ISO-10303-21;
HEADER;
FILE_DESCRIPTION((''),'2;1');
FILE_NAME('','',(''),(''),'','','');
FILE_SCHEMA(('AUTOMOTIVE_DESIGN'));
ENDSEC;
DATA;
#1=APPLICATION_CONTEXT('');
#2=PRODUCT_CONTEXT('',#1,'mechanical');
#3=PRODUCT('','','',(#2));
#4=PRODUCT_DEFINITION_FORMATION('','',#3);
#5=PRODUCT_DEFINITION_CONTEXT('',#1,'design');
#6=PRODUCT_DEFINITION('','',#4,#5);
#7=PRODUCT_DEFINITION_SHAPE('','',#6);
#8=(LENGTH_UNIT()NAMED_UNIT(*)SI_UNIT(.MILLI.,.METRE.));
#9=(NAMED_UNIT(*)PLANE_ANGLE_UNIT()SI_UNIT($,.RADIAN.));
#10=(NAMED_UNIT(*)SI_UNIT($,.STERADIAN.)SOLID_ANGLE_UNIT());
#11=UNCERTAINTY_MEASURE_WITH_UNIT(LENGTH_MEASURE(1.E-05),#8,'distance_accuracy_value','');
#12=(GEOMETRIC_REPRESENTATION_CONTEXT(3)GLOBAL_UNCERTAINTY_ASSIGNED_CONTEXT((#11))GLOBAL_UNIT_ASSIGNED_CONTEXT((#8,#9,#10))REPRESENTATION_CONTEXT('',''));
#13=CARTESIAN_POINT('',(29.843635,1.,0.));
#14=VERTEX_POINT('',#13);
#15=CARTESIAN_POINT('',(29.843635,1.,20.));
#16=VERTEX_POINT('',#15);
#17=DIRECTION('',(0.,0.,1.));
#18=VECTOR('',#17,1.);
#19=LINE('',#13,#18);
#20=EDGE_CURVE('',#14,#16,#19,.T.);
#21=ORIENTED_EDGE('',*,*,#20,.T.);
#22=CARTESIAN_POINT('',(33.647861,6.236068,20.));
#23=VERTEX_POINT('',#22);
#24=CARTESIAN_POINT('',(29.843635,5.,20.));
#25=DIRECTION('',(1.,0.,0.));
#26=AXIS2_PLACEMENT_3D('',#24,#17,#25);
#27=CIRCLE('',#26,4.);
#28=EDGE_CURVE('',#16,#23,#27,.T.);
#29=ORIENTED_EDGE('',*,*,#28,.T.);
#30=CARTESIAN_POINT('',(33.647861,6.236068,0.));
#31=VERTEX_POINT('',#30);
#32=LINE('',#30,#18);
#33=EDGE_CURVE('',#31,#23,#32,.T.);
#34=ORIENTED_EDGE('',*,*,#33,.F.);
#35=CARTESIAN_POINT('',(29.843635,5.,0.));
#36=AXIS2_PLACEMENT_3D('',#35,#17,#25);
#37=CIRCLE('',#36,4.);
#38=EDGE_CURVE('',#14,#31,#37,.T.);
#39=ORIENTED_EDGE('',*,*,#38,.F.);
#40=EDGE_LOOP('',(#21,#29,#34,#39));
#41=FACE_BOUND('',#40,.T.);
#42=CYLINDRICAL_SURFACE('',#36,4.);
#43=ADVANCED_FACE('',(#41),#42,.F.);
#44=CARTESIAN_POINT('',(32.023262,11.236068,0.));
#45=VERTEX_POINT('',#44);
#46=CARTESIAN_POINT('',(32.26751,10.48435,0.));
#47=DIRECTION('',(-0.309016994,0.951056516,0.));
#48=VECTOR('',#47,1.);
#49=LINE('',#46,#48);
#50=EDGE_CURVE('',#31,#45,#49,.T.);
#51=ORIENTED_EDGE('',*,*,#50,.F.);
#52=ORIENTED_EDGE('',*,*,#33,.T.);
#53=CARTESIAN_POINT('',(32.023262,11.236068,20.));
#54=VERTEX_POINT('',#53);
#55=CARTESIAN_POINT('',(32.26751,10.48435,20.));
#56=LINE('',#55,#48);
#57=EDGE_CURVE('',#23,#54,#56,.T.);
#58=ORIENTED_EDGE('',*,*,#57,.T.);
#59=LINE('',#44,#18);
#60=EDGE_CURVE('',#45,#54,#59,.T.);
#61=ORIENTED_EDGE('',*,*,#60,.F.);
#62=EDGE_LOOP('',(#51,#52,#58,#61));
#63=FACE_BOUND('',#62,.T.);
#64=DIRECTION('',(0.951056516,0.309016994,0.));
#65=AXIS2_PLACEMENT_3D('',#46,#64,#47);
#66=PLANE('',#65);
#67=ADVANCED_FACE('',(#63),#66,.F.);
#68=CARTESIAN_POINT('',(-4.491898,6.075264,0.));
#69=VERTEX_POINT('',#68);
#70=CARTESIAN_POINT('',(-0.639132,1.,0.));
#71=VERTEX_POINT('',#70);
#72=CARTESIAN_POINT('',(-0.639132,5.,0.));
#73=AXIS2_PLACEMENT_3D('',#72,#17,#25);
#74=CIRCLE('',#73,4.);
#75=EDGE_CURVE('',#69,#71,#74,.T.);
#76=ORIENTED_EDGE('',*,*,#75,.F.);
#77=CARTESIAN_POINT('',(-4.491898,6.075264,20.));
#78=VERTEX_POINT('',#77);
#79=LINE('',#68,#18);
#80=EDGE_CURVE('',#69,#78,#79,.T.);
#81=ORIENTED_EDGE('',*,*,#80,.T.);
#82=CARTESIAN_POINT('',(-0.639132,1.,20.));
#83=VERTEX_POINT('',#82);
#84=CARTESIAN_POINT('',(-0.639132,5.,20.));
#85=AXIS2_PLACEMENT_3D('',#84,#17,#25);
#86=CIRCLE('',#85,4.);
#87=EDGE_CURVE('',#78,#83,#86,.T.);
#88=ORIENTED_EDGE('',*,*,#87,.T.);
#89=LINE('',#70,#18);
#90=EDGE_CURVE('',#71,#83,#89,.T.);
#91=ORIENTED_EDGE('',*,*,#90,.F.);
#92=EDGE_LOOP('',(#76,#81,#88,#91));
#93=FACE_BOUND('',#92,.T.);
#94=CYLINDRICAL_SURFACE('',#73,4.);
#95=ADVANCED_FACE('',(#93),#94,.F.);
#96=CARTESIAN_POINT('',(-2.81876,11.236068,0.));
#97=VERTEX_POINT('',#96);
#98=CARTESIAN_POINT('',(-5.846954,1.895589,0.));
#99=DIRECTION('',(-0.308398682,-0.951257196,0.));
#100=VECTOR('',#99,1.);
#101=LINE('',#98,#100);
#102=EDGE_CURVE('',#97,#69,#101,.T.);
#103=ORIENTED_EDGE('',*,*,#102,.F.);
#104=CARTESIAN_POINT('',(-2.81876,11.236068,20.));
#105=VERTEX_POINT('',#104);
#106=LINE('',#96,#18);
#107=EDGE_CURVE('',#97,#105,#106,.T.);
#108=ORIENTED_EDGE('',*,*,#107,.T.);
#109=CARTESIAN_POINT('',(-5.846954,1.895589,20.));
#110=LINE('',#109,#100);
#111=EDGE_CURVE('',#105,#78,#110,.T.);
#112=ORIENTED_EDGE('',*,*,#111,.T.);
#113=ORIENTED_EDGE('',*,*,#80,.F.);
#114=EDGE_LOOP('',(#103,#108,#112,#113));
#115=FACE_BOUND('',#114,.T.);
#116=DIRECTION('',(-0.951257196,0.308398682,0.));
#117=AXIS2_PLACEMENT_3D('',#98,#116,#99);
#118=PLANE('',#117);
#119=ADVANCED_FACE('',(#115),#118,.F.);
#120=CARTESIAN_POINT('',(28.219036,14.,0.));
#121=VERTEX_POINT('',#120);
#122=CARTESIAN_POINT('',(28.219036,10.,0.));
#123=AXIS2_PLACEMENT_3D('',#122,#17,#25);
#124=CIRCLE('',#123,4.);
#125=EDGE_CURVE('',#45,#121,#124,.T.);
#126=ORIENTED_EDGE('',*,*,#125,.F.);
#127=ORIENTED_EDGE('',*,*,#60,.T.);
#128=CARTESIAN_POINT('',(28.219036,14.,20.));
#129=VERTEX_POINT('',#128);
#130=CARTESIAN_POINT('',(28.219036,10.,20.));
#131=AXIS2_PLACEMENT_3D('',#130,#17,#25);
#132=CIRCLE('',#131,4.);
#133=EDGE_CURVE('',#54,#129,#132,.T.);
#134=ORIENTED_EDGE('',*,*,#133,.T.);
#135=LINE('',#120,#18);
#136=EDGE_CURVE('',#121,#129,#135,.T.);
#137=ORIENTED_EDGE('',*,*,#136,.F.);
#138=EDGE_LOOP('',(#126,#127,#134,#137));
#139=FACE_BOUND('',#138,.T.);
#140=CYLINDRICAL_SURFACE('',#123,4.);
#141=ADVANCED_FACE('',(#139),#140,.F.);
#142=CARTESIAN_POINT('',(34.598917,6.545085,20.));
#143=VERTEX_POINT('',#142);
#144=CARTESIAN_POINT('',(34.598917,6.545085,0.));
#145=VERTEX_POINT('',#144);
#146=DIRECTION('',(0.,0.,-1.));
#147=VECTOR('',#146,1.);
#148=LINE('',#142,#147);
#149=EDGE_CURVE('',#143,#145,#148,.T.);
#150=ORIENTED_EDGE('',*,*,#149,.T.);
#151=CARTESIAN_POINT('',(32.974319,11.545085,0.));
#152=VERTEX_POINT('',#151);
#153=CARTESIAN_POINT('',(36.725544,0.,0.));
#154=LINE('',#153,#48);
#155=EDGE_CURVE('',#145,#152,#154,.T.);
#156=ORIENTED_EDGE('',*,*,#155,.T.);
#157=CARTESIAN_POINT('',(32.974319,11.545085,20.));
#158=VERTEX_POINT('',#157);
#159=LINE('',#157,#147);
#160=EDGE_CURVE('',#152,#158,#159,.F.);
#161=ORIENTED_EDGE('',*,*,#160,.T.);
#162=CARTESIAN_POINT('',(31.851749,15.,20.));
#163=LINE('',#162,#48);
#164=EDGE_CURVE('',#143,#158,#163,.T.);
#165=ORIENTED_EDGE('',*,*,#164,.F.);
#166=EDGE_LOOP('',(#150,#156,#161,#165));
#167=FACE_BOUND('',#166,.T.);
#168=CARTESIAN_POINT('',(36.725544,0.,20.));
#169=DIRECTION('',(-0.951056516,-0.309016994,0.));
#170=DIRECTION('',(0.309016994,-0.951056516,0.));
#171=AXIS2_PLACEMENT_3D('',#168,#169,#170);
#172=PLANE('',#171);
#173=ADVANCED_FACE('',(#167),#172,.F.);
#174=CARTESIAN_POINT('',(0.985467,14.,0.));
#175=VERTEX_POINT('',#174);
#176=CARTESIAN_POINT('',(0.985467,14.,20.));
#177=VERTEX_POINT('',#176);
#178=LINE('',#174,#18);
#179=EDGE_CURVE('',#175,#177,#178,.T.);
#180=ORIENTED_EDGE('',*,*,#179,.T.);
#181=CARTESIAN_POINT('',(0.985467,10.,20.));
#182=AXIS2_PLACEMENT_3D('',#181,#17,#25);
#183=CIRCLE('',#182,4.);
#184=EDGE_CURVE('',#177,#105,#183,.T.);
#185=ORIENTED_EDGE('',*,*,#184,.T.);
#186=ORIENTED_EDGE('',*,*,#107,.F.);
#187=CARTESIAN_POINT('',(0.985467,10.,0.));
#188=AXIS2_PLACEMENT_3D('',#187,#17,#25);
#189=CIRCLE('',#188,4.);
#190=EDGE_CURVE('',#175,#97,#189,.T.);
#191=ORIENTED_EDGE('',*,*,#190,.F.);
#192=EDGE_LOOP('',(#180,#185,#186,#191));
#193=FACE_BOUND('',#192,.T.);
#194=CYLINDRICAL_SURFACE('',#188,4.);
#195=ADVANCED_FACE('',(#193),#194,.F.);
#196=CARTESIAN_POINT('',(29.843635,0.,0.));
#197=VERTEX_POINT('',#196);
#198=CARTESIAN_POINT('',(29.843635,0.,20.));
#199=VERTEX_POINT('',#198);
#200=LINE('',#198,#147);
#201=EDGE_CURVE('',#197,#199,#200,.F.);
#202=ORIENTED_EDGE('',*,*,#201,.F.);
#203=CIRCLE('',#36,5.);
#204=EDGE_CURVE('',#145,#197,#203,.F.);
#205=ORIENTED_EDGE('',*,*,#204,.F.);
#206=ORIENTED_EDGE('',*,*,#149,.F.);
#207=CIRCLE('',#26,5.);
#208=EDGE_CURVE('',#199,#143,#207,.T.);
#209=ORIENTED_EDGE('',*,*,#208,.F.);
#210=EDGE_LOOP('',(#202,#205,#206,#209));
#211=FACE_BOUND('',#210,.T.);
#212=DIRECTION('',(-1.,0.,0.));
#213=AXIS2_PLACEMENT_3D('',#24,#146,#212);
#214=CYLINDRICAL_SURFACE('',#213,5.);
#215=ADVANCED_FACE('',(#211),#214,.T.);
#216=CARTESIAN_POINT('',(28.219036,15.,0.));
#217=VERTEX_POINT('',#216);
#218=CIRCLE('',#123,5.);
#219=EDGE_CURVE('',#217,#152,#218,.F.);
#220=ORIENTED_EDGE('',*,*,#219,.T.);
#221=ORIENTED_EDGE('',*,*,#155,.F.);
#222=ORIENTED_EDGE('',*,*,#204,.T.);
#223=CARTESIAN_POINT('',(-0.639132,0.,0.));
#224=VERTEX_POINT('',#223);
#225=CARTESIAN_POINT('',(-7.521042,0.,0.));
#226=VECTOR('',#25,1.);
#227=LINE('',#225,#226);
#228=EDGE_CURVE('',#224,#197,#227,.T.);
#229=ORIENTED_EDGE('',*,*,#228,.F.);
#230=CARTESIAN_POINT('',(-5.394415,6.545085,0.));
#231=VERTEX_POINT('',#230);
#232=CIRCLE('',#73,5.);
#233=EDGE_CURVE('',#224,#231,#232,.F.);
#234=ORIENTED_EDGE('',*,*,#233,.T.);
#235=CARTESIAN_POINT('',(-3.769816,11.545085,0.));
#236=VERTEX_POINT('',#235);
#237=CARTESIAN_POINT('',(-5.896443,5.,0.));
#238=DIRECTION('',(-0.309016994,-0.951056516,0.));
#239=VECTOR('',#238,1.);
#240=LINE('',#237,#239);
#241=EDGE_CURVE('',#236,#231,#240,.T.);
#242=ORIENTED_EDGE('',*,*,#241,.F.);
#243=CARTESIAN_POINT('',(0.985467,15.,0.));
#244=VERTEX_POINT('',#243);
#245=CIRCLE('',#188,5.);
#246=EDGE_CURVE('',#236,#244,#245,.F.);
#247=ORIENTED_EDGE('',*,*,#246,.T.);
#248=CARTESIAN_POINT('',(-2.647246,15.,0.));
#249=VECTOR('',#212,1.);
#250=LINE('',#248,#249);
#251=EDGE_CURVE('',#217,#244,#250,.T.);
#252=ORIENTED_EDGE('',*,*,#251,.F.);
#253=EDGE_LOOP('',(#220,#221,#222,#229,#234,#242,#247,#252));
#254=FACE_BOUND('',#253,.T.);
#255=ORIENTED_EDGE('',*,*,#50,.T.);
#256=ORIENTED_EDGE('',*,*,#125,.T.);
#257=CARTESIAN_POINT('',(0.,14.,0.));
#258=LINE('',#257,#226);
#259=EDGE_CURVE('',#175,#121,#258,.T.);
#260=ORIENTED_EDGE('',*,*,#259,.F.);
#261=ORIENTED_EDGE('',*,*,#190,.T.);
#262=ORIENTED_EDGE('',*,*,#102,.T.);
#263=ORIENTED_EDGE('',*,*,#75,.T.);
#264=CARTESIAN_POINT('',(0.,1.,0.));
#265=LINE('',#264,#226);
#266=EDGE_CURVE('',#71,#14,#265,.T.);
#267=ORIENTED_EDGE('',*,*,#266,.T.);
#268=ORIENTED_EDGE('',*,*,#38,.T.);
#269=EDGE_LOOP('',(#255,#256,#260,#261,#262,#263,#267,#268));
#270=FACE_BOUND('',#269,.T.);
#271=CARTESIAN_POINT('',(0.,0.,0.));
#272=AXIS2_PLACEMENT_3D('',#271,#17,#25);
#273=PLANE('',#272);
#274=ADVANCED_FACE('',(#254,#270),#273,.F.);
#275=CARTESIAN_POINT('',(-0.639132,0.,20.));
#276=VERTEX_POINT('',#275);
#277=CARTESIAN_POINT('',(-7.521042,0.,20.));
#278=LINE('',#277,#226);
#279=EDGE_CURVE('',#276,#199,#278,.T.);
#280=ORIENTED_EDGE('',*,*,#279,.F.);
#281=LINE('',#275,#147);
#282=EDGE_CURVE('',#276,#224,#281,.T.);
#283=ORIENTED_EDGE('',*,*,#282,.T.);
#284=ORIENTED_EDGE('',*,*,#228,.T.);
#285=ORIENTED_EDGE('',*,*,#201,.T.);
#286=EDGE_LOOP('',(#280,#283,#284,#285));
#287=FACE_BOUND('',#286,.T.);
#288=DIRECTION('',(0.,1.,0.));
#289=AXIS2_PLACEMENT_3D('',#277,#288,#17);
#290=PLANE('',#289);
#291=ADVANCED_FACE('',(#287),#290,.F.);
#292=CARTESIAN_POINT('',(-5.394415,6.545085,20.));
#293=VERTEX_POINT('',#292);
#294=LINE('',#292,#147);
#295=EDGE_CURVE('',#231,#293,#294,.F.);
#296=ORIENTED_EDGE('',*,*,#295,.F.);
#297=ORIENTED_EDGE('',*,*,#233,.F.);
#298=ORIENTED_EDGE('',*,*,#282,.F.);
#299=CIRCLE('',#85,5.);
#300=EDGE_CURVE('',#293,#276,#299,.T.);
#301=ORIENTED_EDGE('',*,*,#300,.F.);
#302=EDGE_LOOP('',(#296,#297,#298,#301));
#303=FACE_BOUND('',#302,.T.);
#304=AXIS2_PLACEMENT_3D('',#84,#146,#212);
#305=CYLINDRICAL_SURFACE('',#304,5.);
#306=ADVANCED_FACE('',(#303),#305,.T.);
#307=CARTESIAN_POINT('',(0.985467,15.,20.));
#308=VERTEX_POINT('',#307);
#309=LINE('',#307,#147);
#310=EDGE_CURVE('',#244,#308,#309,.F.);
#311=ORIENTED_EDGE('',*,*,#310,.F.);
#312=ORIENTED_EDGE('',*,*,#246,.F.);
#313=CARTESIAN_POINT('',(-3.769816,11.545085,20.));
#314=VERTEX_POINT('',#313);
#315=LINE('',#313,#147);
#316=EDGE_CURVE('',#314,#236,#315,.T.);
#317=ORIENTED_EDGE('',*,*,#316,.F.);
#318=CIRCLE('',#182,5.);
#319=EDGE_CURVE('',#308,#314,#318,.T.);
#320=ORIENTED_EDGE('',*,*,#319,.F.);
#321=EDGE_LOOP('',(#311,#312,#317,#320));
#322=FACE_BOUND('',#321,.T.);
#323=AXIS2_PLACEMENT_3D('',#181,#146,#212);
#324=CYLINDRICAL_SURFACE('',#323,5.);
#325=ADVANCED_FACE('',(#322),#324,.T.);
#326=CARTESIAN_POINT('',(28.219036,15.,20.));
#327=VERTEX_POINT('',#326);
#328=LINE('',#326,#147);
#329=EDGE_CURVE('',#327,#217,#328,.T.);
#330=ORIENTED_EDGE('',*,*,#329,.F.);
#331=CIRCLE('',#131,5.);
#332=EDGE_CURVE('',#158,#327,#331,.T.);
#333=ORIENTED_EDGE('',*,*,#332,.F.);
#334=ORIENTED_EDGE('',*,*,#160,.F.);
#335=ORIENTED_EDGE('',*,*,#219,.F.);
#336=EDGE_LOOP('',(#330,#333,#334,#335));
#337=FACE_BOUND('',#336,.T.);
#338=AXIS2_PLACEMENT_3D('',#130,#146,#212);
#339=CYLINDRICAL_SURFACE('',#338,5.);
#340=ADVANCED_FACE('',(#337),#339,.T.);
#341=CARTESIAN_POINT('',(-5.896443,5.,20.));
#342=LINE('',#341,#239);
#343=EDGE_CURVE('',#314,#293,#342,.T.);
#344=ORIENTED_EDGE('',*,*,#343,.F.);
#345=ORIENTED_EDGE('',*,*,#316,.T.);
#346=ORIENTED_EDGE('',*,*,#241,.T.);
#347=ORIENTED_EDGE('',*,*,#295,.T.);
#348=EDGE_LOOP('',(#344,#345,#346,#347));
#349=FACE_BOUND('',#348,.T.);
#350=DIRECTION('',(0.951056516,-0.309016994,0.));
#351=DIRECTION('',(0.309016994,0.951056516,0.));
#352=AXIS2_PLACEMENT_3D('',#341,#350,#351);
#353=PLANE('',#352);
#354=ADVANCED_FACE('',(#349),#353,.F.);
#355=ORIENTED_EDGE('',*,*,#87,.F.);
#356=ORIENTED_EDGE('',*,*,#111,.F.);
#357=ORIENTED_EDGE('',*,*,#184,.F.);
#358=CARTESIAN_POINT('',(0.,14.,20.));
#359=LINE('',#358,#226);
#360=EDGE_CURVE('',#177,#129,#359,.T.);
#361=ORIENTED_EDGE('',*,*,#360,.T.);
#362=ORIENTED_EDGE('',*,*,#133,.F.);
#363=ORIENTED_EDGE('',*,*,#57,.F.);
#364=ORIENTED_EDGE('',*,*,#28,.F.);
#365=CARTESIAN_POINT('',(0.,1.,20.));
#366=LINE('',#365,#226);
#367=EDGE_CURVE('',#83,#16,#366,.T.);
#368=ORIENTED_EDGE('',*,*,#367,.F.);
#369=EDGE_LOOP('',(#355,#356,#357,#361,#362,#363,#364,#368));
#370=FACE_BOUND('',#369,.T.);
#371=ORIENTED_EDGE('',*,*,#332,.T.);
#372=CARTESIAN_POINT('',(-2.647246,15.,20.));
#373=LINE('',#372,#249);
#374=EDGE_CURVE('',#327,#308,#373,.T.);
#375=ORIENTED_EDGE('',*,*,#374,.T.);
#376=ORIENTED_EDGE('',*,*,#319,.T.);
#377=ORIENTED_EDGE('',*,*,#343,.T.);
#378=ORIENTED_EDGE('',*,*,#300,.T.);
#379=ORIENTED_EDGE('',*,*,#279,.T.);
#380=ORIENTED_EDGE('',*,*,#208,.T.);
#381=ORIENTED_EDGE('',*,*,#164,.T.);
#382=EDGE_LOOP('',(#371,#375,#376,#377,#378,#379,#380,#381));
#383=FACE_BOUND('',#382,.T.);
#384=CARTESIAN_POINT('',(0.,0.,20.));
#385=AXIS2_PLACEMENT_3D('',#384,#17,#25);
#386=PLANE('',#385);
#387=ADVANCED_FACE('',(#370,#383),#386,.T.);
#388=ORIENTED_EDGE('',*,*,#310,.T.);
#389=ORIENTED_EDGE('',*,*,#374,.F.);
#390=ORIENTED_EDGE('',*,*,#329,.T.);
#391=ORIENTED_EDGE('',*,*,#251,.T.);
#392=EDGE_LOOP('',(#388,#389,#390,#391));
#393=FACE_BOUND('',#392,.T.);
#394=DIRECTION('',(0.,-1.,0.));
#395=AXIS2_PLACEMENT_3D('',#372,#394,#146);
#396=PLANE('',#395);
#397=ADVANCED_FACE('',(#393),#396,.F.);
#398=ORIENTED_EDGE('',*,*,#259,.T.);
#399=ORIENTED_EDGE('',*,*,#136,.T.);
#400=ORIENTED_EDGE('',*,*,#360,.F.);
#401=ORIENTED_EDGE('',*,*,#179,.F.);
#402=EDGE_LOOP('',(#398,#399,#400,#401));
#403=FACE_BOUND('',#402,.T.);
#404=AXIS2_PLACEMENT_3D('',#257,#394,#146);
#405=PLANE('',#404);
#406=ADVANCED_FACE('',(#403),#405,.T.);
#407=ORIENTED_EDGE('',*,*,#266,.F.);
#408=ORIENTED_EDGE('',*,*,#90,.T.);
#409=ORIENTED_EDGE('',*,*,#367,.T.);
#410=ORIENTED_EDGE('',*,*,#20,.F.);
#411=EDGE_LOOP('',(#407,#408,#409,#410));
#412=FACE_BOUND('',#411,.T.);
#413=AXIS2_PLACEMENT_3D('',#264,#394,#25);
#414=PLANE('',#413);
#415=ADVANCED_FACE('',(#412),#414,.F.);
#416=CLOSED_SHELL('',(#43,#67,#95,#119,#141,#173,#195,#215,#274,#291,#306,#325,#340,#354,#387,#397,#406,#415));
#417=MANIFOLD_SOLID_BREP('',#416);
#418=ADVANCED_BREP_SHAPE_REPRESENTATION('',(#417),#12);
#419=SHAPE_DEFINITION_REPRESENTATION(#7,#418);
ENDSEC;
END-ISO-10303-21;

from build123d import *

# Parameters (mm, degrees)
DODANIE_WYCI_GNI_CIE1_DEPTH = 20
ZAOKR_GLENIE2_R             = 5
WYTNIJ_WYCI_GNI_CIE1_DEPTH  = 43.884482968


with BuildPart() as part:
    # Szkic1 → Dodanie-wyciągnięcie1 (new body)
    with BuildSketch(Plane.XY):
        Polygon((-7.521041545, 0), (36.725544307, 0), (35.100945826, 5), (31.851748863, 15), (-2.647246102, 15), (-5.896443064, 5), align=None)
    extrude(amount=DODANIE_WYCI_GNI_CIE1_DEPTH)

    # Zaokrąglenie2
    zaokr_glenie2_edges = [part.edges().sort_by_distance(p)[0] for p in [
        (36.725544307, 0, 10),
        (-7.521041545, 0, 10),
        (-2.647246102, 15, 10),
        (31.851748863, 15, 10),
    ]]
    fillet(zaokr_glenie2_edges, radius=ZAOKR_GLENIE2_R)

    # Szkic2 → Wytnij-wyciągnięcie1 (cut, through all)
    with BuildSketch(Plane.XY.offset(20)):
        with BuildLine():
            Line((28.219036223, 14), (0.985466538, 14))
            ThreePointArc((0.985466538, 14), (-1.365674471, 13.236067977), (-2.818759527, 11.236067977))
            Line((-2.818759527, 11.236067977), (-2.820363357, 11.231120957))
            Line((-2.820363357, 11.231120957), (-4.491898112, 6.075264084))
            ThreePointArc((-4.491898112, 6.075264084), (-3.825121298, 2.581431863), (-0.639131943, 1))
            Line((-0.639131943, 1), (29.843634705, 1))
            ThreePointArc((29.843634705, 1), (33.079702682, 2.648858991), (33.64786077, 6.236067977))
            Line((33.64786077, 6.236067977), (32.023262289, 11.236067977))
            ThreePointArc((32.023262289, 11.236067977), (30.570177233, 13.236067977), (28.219036223, 14))
        make_face()
    extrude(amount=-WYTNIJ_WYCI_GNI_CIE1_DEPTH, mode=Mode.SUBTRACT)


solid = part.part
